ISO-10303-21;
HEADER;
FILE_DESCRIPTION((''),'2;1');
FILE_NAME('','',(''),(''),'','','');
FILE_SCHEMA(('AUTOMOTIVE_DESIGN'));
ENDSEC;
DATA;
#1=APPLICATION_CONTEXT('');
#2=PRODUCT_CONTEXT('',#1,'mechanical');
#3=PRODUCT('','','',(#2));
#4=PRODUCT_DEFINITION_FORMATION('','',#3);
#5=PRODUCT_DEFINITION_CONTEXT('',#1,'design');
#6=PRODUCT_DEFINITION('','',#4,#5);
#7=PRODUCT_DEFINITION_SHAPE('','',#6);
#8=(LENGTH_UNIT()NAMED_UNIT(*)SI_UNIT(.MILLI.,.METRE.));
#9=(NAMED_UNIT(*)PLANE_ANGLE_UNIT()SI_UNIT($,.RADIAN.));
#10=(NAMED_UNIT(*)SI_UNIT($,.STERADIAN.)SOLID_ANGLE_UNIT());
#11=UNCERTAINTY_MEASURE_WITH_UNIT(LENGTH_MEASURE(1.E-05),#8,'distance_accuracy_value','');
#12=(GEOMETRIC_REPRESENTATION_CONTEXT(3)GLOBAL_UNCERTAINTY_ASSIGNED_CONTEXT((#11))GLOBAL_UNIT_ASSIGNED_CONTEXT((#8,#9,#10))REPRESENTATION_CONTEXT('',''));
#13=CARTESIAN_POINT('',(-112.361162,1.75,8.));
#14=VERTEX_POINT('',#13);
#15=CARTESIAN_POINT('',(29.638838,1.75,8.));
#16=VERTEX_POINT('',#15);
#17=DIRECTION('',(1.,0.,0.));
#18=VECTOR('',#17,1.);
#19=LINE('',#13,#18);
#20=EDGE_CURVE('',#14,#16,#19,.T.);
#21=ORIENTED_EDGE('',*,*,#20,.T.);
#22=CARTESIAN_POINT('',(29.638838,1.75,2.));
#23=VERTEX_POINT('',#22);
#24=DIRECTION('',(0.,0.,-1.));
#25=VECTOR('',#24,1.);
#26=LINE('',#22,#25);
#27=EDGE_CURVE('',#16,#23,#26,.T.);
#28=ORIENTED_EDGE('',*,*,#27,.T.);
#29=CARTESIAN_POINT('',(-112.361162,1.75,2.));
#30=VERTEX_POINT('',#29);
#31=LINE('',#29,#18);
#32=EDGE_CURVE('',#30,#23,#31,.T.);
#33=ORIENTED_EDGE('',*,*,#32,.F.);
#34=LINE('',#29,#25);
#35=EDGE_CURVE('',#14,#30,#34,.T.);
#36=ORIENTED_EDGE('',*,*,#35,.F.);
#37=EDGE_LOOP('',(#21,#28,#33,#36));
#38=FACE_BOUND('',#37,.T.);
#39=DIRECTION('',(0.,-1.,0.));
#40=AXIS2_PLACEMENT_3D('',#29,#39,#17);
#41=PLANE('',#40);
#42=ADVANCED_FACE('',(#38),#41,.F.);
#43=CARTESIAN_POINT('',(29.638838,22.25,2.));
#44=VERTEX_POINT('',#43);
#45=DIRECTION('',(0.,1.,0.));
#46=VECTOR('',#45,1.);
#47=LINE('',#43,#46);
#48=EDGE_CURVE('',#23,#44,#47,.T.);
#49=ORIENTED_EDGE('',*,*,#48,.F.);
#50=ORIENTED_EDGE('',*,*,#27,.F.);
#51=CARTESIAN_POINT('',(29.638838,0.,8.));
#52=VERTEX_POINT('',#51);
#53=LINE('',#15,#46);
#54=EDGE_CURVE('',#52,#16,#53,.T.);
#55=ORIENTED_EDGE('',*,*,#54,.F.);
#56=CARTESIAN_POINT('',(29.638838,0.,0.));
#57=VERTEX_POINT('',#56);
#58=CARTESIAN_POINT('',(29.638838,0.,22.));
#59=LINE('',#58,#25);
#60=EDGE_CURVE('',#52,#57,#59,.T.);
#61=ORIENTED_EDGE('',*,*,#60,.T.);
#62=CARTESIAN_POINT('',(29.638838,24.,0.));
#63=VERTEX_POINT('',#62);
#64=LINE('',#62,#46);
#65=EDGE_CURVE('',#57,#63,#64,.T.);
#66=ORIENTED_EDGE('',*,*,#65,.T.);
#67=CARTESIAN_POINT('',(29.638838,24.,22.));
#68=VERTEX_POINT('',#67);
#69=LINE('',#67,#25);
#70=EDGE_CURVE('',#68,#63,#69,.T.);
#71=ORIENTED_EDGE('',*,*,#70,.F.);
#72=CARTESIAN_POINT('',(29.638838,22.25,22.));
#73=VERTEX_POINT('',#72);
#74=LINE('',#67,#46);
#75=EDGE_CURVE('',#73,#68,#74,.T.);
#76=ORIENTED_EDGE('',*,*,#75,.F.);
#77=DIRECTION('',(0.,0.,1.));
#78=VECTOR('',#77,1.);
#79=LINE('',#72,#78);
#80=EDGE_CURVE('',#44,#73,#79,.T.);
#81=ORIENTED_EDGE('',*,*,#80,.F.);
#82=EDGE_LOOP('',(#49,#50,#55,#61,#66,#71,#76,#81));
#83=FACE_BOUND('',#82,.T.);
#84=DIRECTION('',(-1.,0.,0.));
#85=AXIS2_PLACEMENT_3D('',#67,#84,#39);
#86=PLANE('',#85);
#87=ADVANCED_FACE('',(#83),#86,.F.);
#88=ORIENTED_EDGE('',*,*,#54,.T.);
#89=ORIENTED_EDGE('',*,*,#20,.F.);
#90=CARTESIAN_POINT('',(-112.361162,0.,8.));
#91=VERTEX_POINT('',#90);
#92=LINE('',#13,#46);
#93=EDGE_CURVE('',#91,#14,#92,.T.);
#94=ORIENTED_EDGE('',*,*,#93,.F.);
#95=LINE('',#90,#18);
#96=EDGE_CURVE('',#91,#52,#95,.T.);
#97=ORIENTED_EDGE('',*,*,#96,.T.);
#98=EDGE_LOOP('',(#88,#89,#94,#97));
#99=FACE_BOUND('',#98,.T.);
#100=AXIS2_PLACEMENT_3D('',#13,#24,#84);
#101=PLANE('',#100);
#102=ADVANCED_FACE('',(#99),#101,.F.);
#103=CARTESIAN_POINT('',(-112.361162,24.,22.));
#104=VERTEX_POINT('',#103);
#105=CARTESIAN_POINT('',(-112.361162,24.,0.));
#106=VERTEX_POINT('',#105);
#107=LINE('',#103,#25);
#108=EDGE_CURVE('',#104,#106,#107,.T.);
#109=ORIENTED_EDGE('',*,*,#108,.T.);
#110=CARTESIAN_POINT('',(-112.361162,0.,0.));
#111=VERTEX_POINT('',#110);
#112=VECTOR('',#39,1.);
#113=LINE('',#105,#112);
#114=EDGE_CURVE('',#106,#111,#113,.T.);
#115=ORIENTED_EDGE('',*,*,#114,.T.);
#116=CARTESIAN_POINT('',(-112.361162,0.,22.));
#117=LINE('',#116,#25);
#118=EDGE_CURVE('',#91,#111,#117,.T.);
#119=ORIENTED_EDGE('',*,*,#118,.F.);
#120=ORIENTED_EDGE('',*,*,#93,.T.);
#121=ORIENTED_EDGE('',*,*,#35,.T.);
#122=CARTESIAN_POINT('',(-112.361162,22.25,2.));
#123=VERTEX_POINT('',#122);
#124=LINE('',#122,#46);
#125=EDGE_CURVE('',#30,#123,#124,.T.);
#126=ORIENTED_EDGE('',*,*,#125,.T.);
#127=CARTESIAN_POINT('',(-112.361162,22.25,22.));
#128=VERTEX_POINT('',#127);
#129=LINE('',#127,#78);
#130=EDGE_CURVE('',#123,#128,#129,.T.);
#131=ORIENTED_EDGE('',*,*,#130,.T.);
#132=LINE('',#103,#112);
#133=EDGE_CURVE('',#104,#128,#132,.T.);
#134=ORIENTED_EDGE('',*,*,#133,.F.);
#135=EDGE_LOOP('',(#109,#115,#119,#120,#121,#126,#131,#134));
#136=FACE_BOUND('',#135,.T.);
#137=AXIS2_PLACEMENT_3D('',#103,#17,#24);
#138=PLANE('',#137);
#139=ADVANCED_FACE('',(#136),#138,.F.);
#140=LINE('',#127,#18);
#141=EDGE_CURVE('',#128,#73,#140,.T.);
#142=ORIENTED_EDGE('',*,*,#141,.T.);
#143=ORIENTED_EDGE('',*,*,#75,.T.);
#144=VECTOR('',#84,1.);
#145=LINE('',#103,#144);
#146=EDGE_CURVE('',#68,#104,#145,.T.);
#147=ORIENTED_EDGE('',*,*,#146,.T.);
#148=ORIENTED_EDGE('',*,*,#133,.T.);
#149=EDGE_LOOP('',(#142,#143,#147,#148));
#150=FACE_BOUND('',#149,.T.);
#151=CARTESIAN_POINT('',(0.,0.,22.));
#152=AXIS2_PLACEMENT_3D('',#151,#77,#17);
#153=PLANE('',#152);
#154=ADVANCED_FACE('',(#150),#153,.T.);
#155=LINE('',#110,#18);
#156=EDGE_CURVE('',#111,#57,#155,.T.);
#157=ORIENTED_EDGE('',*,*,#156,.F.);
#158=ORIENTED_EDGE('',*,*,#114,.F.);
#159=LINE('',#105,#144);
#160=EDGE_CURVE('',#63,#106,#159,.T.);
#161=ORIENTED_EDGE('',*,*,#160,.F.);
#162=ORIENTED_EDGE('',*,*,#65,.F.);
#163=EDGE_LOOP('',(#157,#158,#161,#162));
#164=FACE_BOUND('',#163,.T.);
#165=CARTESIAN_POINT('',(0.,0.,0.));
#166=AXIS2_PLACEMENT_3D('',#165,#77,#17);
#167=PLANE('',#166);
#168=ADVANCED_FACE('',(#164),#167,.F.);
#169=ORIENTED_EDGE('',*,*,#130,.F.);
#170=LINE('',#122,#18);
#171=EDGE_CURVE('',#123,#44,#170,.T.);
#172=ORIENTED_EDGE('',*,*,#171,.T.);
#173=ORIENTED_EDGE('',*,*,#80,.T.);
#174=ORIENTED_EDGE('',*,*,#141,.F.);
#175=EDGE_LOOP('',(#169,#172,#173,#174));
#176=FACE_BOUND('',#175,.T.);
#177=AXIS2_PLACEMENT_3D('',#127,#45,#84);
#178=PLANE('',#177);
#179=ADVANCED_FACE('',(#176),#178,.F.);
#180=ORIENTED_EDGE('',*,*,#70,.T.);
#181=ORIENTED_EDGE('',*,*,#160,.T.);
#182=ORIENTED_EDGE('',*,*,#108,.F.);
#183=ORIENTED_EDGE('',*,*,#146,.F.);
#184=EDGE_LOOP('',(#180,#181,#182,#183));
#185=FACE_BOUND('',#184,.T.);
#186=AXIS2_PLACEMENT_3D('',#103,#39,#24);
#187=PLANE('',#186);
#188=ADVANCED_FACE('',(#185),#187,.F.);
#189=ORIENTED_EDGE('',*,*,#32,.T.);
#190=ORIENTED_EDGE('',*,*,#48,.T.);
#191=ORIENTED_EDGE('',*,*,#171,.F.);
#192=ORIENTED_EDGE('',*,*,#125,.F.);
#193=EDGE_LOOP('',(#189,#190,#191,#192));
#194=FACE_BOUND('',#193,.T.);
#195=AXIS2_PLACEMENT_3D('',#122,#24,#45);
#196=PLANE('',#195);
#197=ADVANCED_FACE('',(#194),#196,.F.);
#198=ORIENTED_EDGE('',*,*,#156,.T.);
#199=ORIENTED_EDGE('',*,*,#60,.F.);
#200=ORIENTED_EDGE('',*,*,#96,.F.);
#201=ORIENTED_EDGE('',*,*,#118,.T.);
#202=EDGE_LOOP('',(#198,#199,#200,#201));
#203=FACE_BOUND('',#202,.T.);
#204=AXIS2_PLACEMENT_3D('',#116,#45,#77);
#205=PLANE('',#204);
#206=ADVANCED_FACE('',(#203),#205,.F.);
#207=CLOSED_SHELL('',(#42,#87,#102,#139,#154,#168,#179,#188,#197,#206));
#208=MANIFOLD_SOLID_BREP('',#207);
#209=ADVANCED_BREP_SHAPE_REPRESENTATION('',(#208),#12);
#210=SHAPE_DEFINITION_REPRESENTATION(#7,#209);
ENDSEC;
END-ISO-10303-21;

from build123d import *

# Parameters (mm, degrees)
SKETCH_1_W          = 142
SKETCH_1_H          = 24
EXTRUDE_1_DEPTH     = 22
CUT_EXTRUDE_1_DEPTH = 142


with BuildPart() as part:
    # 草图1 → 凸台-拉伸1 (new body)
    with BuildSketch(Plane.XY):
        with Locations((-41.361161705, 12)):
            Rectangle(SKETCH_1_W, SKETCH_1_H)
    extrude(amount=EXTRUDE_1_DEPTH)

    # 草图2 → 切除-拉伸1 (cut)
    with BuildSketch(Plane(origin=(29.638838295, 0, 0), x_dir=(0, 0, -1), z_dir=(1, 0, 0))):
        Polygon((-22, 22.25), (-2, 22.25), (-2, 1.75), (-8, 1.75), (-8, 0), (-22, 0), align=None)
    extrude(amount=-CUT_EXTRUDE_1_DEPTH, mode=Mode.SUBTRACT)


solid = part.part
